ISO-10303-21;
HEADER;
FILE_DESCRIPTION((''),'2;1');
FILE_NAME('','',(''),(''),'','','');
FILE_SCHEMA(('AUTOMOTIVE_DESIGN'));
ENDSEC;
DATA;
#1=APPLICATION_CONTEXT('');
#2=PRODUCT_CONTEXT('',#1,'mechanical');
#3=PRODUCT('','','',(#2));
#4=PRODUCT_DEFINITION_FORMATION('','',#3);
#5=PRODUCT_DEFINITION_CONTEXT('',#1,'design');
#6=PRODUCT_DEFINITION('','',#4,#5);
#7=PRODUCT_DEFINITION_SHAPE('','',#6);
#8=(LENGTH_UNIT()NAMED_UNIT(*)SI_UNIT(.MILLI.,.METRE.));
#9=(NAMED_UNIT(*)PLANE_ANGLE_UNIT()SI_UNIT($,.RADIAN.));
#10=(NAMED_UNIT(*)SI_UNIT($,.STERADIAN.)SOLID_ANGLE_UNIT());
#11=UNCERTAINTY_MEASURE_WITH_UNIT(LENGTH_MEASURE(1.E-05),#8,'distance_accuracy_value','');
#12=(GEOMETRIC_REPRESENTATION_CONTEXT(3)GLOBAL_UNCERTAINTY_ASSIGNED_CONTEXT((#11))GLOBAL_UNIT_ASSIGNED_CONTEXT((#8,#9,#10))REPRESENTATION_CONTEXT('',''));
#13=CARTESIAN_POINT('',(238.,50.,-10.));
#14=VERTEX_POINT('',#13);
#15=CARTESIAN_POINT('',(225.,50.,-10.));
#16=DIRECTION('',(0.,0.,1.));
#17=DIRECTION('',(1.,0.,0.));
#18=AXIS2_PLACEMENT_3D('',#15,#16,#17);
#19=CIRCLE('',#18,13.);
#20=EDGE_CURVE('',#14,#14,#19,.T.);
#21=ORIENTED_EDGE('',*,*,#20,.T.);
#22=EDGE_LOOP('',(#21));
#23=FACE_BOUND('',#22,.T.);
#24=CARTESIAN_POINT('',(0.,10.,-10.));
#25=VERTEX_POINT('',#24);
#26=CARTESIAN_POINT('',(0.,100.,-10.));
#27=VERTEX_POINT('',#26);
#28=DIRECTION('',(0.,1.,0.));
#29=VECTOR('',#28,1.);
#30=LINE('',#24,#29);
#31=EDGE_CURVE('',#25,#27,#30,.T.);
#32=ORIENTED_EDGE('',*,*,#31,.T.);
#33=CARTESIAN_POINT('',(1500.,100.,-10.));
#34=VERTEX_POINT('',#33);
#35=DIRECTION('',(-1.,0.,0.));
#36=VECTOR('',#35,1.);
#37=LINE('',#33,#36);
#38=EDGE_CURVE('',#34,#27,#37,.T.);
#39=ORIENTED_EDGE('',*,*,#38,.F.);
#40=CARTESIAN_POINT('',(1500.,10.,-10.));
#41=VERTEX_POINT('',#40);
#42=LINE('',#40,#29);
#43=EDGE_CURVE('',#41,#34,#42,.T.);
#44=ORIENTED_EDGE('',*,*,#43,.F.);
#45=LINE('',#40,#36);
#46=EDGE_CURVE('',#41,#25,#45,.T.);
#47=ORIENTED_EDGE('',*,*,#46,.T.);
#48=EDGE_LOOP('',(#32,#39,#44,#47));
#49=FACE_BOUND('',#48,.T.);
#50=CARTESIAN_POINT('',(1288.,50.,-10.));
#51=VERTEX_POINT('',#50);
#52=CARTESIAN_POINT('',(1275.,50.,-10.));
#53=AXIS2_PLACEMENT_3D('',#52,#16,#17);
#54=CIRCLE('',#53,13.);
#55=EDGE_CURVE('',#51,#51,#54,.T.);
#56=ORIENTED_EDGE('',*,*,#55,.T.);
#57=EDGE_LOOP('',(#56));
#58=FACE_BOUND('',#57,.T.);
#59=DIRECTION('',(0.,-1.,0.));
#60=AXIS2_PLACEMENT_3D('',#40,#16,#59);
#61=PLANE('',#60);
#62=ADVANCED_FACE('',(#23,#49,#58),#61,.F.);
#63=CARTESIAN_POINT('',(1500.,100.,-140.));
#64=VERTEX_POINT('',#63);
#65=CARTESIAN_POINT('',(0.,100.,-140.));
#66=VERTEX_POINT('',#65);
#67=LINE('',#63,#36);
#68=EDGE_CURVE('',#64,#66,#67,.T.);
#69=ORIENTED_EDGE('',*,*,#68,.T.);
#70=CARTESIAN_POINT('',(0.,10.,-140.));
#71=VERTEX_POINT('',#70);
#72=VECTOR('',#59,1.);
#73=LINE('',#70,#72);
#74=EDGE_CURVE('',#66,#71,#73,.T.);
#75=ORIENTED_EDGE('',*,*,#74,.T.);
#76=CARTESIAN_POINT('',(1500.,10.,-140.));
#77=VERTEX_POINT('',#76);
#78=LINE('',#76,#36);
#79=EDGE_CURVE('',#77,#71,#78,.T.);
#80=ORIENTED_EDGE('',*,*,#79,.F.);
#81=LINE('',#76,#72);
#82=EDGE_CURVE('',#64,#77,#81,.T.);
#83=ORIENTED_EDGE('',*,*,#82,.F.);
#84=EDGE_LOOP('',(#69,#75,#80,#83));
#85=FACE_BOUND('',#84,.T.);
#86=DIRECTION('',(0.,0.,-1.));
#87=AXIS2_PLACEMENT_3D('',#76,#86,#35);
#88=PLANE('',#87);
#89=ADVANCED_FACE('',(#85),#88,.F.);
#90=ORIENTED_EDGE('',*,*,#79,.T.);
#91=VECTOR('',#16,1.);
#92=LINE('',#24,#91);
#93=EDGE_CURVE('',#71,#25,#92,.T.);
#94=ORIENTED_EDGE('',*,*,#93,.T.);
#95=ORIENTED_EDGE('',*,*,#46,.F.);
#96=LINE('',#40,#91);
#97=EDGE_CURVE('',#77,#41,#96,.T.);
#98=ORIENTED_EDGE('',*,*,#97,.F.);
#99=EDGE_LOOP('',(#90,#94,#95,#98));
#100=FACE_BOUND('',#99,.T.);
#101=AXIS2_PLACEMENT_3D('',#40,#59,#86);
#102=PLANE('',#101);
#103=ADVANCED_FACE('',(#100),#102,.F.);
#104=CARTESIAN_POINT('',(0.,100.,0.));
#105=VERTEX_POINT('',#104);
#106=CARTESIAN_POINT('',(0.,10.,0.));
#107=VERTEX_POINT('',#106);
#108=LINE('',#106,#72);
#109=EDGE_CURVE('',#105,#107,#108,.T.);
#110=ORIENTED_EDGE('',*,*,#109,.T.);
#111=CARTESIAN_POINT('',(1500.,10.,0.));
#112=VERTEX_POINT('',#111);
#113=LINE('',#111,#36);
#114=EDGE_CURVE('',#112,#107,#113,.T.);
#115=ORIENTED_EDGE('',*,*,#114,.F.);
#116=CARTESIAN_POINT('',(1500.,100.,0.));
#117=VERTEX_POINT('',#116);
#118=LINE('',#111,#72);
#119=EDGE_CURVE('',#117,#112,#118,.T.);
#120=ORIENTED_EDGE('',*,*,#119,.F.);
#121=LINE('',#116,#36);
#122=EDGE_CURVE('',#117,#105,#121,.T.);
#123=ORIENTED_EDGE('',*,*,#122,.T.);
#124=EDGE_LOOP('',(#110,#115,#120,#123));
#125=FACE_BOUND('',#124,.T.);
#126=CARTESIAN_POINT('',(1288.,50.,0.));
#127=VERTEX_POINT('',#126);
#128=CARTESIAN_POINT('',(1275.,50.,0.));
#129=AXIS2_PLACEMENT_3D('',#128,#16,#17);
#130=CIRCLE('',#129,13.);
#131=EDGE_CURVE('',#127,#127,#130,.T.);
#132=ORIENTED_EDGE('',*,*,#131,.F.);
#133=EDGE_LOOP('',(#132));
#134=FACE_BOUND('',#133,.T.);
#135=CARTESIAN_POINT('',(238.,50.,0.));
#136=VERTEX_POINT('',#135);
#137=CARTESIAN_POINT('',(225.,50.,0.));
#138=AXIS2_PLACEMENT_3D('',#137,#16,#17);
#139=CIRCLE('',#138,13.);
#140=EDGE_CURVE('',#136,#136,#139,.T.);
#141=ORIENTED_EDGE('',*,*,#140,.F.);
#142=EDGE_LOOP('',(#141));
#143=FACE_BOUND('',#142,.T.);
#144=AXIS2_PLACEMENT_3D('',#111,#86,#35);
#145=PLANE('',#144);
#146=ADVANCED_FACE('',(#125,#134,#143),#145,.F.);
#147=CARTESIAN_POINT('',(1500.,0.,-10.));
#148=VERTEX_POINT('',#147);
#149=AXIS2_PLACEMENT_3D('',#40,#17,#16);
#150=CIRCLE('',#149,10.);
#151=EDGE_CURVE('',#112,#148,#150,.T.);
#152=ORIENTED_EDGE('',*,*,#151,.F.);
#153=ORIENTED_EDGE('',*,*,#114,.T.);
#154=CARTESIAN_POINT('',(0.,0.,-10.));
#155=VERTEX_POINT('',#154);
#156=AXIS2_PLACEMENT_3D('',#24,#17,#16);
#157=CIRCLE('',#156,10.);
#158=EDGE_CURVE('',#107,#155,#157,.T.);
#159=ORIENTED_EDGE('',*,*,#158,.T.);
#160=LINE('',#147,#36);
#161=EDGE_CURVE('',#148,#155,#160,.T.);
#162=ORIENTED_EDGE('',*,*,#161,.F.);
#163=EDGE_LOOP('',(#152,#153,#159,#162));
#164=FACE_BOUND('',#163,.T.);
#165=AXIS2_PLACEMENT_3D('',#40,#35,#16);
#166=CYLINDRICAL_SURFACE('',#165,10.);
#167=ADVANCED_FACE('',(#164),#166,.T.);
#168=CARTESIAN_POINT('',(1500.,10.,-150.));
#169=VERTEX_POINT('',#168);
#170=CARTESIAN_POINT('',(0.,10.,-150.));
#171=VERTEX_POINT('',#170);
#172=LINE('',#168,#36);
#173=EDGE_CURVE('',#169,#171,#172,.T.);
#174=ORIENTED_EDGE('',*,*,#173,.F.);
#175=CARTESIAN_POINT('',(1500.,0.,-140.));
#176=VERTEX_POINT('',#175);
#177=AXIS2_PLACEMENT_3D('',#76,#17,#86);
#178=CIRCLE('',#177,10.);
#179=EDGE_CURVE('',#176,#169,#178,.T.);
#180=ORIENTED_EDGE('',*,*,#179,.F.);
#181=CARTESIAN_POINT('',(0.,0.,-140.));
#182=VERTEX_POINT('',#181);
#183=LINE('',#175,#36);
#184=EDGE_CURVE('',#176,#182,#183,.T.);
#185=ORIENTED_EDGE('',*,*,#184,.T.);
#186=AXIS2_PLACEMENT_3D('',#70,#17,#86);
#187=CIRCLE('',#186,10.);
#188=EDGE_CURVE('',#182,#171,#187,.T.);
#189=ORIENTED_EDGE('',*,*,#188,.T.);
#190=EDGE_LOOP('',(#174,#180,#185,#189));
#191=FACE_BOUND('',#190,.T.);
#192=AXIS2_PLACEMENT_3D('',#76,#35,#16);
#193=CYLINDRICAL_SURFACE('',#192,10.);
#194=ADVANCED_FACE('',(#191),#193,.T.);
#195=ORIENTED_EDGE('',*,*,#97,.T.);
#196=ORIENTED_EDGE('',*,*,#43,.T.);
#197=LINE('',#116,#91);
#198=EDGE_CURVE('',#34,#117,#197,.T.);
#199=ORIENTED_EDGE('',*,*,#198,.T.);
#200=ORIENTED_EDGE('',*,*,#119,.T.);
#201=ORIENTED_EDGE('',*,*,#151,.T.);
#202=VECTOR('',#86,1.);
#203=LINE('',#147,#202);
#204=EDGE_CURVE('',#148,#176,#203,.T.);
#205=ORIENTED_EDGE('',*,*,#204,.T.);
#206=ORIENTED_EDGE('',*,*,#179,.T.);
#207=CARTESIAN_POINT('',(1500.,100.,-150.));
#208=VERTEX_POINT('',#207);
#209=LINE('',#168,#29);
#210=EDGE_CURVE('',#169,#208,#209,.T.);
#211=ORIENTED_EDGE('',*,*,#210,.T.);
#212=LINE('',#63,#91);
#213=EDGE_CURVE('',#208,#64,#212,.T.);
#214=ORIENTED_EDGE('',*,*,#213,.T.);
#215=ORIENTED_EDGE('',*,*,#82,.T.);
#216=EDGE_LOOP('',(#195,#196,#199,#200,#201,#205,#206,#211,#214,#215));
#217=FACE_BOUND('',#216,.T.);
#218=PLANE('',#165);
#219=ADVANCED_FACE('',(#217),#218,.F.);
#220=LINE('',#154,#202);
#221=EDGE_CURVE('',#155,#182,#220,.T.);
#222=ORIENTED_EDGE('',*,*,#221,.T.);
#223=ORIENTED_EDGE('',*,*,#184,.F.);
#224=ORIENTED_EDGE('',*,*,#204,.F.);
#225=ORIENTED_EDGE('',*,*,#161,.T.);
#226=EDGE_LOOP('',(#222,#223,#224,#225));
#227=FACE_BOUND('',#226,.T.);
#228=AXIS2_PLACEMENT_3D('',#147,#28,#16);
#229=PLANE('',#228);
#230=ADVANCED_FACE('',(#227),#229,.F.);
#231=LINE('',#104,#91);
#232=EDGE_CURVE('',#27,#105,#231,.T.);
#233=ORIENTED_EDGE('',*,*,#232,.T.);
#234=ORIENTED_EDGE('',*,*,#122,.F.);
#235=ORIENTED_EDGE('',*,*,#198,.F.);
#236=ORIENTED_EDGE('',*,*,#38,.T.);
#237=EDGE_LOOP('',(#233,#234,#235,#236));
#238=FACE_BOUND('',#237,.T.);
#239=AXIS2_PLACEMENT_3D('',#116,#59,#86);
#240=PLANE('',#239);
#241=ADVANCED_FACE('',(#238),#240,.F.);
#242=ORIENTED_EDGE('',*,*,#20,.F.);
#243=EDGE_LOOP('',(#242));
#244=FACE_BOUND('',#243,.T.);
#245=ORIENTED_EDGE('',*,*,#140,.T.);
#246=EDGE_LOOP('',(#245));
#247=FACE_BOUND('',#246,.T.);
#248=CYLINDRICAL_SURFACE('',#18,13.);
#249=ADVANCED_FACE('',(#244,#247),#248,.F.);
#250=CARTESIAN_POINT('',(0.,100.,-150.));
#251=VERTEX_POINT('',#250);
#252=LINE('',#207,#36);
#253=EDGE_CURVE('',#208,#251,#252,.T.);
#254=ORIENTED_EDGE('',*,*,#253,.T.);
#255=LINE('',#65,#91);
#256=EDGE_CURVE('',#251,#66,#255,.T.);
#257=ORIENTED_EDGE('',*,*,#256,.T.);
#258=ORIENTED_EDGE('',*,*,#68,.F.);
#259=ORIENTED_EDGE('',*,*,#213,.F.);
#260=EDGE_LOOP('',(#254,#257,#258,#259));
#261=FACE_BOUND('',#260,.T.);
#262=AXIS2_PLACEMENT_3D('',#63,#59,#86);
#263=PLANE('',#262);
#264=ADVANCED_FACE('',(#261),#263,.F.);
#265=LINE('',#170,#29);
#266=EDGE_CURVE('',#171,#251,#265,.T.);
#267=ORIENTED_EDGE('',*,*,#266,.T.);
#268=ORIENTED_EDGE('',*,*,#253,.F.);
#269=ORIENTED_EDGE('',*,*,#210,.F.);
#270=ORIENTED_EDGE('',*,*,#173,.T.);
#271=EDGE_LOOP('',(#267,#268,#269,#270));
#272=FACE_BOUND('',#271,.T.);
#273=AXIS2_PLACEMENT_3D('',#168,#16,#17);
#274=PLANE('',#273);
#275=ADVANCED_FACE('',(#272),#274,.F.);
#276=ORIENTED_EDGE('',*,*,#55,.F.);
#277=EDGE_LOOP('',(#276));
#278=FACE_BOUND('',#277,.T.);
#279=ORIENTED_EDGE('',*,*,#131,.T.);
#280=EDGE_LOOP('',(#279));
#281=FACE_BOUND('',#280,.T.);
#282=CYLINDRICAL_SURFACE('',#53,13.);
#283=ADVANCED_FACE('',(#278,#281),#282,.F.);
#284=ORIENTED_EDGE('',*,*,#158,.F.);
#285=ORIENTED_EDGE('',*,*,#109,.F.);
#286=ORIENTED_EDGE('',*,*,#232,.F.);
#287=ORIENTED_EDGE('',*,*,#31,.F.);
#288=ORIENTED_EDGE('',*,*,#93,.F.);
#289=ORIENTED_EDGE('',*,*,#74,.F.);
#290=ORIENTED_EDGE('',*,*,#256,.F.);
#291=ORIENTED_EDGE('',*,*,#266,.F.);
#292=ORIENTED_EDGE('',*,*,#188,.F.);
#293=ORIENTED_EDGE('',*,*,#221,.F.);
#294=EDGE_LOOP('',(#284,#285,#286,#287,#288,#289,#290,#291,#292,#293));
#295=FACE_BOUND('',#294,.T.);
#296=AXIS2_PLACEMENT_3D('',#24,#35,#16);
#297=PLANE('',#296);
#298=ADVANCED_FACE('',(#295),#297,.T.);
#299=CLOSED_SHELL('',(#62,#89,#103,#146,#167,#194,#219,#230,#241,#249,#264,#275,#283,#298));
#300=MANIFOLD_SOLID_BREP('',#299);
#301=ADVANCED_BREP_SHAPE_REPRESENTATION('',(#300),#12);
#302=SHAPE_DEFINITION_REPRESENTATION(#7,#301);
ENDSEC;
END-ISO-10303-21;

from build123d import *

# Parameters (mm, degrees)
EXTRUDE1_DEPTH     = 1500
SKETCH2_R          = 13
CUT_EXTRUDE1_DEPTH = 10


with BuildPart() as part:
    # Sketch1 → Extrude1 (new body)
    with BuildSketch(Plane(origin=(0, 0, 0), x_dir=(0, 0, -1), z_dir=(1, 0, 0))):
        with BuildLine():
            Line((140, 10), (140, 100))
            Line((140, 100), (150, 100))
            Line((150, 100), (150, 10))
            ThreePointArc((150, 10), (147.071067812, 2.928932188), (140, 0))
            Line((140, 0), (10, 0))
            ThreePointArc((10, 0), (2.928932188, 2.928932188), (0, 10))
            Line((0, 10), (0, 100))
            Line((0, 100), (10, 100))
            Line((10, 100), (10, 10))
            Line((10, 10), (140, 10))
        make_face()
    extrude(amount=EXTRUDE1_DEPTH)

    # Sketch2 → Cut-Extrude1 (cut)
    with BuildSketch(Plane.XY):
        with Locations((225, 50)):
            Circle(SKETCH2_R)
        with Locations((1275, 50)):
            Circle(SKETCH2_R)
    extrude(amount=-CUT_EXTRUDE1_DEPTH, mode=Mode.SUBTRACT)


solid = part.part
